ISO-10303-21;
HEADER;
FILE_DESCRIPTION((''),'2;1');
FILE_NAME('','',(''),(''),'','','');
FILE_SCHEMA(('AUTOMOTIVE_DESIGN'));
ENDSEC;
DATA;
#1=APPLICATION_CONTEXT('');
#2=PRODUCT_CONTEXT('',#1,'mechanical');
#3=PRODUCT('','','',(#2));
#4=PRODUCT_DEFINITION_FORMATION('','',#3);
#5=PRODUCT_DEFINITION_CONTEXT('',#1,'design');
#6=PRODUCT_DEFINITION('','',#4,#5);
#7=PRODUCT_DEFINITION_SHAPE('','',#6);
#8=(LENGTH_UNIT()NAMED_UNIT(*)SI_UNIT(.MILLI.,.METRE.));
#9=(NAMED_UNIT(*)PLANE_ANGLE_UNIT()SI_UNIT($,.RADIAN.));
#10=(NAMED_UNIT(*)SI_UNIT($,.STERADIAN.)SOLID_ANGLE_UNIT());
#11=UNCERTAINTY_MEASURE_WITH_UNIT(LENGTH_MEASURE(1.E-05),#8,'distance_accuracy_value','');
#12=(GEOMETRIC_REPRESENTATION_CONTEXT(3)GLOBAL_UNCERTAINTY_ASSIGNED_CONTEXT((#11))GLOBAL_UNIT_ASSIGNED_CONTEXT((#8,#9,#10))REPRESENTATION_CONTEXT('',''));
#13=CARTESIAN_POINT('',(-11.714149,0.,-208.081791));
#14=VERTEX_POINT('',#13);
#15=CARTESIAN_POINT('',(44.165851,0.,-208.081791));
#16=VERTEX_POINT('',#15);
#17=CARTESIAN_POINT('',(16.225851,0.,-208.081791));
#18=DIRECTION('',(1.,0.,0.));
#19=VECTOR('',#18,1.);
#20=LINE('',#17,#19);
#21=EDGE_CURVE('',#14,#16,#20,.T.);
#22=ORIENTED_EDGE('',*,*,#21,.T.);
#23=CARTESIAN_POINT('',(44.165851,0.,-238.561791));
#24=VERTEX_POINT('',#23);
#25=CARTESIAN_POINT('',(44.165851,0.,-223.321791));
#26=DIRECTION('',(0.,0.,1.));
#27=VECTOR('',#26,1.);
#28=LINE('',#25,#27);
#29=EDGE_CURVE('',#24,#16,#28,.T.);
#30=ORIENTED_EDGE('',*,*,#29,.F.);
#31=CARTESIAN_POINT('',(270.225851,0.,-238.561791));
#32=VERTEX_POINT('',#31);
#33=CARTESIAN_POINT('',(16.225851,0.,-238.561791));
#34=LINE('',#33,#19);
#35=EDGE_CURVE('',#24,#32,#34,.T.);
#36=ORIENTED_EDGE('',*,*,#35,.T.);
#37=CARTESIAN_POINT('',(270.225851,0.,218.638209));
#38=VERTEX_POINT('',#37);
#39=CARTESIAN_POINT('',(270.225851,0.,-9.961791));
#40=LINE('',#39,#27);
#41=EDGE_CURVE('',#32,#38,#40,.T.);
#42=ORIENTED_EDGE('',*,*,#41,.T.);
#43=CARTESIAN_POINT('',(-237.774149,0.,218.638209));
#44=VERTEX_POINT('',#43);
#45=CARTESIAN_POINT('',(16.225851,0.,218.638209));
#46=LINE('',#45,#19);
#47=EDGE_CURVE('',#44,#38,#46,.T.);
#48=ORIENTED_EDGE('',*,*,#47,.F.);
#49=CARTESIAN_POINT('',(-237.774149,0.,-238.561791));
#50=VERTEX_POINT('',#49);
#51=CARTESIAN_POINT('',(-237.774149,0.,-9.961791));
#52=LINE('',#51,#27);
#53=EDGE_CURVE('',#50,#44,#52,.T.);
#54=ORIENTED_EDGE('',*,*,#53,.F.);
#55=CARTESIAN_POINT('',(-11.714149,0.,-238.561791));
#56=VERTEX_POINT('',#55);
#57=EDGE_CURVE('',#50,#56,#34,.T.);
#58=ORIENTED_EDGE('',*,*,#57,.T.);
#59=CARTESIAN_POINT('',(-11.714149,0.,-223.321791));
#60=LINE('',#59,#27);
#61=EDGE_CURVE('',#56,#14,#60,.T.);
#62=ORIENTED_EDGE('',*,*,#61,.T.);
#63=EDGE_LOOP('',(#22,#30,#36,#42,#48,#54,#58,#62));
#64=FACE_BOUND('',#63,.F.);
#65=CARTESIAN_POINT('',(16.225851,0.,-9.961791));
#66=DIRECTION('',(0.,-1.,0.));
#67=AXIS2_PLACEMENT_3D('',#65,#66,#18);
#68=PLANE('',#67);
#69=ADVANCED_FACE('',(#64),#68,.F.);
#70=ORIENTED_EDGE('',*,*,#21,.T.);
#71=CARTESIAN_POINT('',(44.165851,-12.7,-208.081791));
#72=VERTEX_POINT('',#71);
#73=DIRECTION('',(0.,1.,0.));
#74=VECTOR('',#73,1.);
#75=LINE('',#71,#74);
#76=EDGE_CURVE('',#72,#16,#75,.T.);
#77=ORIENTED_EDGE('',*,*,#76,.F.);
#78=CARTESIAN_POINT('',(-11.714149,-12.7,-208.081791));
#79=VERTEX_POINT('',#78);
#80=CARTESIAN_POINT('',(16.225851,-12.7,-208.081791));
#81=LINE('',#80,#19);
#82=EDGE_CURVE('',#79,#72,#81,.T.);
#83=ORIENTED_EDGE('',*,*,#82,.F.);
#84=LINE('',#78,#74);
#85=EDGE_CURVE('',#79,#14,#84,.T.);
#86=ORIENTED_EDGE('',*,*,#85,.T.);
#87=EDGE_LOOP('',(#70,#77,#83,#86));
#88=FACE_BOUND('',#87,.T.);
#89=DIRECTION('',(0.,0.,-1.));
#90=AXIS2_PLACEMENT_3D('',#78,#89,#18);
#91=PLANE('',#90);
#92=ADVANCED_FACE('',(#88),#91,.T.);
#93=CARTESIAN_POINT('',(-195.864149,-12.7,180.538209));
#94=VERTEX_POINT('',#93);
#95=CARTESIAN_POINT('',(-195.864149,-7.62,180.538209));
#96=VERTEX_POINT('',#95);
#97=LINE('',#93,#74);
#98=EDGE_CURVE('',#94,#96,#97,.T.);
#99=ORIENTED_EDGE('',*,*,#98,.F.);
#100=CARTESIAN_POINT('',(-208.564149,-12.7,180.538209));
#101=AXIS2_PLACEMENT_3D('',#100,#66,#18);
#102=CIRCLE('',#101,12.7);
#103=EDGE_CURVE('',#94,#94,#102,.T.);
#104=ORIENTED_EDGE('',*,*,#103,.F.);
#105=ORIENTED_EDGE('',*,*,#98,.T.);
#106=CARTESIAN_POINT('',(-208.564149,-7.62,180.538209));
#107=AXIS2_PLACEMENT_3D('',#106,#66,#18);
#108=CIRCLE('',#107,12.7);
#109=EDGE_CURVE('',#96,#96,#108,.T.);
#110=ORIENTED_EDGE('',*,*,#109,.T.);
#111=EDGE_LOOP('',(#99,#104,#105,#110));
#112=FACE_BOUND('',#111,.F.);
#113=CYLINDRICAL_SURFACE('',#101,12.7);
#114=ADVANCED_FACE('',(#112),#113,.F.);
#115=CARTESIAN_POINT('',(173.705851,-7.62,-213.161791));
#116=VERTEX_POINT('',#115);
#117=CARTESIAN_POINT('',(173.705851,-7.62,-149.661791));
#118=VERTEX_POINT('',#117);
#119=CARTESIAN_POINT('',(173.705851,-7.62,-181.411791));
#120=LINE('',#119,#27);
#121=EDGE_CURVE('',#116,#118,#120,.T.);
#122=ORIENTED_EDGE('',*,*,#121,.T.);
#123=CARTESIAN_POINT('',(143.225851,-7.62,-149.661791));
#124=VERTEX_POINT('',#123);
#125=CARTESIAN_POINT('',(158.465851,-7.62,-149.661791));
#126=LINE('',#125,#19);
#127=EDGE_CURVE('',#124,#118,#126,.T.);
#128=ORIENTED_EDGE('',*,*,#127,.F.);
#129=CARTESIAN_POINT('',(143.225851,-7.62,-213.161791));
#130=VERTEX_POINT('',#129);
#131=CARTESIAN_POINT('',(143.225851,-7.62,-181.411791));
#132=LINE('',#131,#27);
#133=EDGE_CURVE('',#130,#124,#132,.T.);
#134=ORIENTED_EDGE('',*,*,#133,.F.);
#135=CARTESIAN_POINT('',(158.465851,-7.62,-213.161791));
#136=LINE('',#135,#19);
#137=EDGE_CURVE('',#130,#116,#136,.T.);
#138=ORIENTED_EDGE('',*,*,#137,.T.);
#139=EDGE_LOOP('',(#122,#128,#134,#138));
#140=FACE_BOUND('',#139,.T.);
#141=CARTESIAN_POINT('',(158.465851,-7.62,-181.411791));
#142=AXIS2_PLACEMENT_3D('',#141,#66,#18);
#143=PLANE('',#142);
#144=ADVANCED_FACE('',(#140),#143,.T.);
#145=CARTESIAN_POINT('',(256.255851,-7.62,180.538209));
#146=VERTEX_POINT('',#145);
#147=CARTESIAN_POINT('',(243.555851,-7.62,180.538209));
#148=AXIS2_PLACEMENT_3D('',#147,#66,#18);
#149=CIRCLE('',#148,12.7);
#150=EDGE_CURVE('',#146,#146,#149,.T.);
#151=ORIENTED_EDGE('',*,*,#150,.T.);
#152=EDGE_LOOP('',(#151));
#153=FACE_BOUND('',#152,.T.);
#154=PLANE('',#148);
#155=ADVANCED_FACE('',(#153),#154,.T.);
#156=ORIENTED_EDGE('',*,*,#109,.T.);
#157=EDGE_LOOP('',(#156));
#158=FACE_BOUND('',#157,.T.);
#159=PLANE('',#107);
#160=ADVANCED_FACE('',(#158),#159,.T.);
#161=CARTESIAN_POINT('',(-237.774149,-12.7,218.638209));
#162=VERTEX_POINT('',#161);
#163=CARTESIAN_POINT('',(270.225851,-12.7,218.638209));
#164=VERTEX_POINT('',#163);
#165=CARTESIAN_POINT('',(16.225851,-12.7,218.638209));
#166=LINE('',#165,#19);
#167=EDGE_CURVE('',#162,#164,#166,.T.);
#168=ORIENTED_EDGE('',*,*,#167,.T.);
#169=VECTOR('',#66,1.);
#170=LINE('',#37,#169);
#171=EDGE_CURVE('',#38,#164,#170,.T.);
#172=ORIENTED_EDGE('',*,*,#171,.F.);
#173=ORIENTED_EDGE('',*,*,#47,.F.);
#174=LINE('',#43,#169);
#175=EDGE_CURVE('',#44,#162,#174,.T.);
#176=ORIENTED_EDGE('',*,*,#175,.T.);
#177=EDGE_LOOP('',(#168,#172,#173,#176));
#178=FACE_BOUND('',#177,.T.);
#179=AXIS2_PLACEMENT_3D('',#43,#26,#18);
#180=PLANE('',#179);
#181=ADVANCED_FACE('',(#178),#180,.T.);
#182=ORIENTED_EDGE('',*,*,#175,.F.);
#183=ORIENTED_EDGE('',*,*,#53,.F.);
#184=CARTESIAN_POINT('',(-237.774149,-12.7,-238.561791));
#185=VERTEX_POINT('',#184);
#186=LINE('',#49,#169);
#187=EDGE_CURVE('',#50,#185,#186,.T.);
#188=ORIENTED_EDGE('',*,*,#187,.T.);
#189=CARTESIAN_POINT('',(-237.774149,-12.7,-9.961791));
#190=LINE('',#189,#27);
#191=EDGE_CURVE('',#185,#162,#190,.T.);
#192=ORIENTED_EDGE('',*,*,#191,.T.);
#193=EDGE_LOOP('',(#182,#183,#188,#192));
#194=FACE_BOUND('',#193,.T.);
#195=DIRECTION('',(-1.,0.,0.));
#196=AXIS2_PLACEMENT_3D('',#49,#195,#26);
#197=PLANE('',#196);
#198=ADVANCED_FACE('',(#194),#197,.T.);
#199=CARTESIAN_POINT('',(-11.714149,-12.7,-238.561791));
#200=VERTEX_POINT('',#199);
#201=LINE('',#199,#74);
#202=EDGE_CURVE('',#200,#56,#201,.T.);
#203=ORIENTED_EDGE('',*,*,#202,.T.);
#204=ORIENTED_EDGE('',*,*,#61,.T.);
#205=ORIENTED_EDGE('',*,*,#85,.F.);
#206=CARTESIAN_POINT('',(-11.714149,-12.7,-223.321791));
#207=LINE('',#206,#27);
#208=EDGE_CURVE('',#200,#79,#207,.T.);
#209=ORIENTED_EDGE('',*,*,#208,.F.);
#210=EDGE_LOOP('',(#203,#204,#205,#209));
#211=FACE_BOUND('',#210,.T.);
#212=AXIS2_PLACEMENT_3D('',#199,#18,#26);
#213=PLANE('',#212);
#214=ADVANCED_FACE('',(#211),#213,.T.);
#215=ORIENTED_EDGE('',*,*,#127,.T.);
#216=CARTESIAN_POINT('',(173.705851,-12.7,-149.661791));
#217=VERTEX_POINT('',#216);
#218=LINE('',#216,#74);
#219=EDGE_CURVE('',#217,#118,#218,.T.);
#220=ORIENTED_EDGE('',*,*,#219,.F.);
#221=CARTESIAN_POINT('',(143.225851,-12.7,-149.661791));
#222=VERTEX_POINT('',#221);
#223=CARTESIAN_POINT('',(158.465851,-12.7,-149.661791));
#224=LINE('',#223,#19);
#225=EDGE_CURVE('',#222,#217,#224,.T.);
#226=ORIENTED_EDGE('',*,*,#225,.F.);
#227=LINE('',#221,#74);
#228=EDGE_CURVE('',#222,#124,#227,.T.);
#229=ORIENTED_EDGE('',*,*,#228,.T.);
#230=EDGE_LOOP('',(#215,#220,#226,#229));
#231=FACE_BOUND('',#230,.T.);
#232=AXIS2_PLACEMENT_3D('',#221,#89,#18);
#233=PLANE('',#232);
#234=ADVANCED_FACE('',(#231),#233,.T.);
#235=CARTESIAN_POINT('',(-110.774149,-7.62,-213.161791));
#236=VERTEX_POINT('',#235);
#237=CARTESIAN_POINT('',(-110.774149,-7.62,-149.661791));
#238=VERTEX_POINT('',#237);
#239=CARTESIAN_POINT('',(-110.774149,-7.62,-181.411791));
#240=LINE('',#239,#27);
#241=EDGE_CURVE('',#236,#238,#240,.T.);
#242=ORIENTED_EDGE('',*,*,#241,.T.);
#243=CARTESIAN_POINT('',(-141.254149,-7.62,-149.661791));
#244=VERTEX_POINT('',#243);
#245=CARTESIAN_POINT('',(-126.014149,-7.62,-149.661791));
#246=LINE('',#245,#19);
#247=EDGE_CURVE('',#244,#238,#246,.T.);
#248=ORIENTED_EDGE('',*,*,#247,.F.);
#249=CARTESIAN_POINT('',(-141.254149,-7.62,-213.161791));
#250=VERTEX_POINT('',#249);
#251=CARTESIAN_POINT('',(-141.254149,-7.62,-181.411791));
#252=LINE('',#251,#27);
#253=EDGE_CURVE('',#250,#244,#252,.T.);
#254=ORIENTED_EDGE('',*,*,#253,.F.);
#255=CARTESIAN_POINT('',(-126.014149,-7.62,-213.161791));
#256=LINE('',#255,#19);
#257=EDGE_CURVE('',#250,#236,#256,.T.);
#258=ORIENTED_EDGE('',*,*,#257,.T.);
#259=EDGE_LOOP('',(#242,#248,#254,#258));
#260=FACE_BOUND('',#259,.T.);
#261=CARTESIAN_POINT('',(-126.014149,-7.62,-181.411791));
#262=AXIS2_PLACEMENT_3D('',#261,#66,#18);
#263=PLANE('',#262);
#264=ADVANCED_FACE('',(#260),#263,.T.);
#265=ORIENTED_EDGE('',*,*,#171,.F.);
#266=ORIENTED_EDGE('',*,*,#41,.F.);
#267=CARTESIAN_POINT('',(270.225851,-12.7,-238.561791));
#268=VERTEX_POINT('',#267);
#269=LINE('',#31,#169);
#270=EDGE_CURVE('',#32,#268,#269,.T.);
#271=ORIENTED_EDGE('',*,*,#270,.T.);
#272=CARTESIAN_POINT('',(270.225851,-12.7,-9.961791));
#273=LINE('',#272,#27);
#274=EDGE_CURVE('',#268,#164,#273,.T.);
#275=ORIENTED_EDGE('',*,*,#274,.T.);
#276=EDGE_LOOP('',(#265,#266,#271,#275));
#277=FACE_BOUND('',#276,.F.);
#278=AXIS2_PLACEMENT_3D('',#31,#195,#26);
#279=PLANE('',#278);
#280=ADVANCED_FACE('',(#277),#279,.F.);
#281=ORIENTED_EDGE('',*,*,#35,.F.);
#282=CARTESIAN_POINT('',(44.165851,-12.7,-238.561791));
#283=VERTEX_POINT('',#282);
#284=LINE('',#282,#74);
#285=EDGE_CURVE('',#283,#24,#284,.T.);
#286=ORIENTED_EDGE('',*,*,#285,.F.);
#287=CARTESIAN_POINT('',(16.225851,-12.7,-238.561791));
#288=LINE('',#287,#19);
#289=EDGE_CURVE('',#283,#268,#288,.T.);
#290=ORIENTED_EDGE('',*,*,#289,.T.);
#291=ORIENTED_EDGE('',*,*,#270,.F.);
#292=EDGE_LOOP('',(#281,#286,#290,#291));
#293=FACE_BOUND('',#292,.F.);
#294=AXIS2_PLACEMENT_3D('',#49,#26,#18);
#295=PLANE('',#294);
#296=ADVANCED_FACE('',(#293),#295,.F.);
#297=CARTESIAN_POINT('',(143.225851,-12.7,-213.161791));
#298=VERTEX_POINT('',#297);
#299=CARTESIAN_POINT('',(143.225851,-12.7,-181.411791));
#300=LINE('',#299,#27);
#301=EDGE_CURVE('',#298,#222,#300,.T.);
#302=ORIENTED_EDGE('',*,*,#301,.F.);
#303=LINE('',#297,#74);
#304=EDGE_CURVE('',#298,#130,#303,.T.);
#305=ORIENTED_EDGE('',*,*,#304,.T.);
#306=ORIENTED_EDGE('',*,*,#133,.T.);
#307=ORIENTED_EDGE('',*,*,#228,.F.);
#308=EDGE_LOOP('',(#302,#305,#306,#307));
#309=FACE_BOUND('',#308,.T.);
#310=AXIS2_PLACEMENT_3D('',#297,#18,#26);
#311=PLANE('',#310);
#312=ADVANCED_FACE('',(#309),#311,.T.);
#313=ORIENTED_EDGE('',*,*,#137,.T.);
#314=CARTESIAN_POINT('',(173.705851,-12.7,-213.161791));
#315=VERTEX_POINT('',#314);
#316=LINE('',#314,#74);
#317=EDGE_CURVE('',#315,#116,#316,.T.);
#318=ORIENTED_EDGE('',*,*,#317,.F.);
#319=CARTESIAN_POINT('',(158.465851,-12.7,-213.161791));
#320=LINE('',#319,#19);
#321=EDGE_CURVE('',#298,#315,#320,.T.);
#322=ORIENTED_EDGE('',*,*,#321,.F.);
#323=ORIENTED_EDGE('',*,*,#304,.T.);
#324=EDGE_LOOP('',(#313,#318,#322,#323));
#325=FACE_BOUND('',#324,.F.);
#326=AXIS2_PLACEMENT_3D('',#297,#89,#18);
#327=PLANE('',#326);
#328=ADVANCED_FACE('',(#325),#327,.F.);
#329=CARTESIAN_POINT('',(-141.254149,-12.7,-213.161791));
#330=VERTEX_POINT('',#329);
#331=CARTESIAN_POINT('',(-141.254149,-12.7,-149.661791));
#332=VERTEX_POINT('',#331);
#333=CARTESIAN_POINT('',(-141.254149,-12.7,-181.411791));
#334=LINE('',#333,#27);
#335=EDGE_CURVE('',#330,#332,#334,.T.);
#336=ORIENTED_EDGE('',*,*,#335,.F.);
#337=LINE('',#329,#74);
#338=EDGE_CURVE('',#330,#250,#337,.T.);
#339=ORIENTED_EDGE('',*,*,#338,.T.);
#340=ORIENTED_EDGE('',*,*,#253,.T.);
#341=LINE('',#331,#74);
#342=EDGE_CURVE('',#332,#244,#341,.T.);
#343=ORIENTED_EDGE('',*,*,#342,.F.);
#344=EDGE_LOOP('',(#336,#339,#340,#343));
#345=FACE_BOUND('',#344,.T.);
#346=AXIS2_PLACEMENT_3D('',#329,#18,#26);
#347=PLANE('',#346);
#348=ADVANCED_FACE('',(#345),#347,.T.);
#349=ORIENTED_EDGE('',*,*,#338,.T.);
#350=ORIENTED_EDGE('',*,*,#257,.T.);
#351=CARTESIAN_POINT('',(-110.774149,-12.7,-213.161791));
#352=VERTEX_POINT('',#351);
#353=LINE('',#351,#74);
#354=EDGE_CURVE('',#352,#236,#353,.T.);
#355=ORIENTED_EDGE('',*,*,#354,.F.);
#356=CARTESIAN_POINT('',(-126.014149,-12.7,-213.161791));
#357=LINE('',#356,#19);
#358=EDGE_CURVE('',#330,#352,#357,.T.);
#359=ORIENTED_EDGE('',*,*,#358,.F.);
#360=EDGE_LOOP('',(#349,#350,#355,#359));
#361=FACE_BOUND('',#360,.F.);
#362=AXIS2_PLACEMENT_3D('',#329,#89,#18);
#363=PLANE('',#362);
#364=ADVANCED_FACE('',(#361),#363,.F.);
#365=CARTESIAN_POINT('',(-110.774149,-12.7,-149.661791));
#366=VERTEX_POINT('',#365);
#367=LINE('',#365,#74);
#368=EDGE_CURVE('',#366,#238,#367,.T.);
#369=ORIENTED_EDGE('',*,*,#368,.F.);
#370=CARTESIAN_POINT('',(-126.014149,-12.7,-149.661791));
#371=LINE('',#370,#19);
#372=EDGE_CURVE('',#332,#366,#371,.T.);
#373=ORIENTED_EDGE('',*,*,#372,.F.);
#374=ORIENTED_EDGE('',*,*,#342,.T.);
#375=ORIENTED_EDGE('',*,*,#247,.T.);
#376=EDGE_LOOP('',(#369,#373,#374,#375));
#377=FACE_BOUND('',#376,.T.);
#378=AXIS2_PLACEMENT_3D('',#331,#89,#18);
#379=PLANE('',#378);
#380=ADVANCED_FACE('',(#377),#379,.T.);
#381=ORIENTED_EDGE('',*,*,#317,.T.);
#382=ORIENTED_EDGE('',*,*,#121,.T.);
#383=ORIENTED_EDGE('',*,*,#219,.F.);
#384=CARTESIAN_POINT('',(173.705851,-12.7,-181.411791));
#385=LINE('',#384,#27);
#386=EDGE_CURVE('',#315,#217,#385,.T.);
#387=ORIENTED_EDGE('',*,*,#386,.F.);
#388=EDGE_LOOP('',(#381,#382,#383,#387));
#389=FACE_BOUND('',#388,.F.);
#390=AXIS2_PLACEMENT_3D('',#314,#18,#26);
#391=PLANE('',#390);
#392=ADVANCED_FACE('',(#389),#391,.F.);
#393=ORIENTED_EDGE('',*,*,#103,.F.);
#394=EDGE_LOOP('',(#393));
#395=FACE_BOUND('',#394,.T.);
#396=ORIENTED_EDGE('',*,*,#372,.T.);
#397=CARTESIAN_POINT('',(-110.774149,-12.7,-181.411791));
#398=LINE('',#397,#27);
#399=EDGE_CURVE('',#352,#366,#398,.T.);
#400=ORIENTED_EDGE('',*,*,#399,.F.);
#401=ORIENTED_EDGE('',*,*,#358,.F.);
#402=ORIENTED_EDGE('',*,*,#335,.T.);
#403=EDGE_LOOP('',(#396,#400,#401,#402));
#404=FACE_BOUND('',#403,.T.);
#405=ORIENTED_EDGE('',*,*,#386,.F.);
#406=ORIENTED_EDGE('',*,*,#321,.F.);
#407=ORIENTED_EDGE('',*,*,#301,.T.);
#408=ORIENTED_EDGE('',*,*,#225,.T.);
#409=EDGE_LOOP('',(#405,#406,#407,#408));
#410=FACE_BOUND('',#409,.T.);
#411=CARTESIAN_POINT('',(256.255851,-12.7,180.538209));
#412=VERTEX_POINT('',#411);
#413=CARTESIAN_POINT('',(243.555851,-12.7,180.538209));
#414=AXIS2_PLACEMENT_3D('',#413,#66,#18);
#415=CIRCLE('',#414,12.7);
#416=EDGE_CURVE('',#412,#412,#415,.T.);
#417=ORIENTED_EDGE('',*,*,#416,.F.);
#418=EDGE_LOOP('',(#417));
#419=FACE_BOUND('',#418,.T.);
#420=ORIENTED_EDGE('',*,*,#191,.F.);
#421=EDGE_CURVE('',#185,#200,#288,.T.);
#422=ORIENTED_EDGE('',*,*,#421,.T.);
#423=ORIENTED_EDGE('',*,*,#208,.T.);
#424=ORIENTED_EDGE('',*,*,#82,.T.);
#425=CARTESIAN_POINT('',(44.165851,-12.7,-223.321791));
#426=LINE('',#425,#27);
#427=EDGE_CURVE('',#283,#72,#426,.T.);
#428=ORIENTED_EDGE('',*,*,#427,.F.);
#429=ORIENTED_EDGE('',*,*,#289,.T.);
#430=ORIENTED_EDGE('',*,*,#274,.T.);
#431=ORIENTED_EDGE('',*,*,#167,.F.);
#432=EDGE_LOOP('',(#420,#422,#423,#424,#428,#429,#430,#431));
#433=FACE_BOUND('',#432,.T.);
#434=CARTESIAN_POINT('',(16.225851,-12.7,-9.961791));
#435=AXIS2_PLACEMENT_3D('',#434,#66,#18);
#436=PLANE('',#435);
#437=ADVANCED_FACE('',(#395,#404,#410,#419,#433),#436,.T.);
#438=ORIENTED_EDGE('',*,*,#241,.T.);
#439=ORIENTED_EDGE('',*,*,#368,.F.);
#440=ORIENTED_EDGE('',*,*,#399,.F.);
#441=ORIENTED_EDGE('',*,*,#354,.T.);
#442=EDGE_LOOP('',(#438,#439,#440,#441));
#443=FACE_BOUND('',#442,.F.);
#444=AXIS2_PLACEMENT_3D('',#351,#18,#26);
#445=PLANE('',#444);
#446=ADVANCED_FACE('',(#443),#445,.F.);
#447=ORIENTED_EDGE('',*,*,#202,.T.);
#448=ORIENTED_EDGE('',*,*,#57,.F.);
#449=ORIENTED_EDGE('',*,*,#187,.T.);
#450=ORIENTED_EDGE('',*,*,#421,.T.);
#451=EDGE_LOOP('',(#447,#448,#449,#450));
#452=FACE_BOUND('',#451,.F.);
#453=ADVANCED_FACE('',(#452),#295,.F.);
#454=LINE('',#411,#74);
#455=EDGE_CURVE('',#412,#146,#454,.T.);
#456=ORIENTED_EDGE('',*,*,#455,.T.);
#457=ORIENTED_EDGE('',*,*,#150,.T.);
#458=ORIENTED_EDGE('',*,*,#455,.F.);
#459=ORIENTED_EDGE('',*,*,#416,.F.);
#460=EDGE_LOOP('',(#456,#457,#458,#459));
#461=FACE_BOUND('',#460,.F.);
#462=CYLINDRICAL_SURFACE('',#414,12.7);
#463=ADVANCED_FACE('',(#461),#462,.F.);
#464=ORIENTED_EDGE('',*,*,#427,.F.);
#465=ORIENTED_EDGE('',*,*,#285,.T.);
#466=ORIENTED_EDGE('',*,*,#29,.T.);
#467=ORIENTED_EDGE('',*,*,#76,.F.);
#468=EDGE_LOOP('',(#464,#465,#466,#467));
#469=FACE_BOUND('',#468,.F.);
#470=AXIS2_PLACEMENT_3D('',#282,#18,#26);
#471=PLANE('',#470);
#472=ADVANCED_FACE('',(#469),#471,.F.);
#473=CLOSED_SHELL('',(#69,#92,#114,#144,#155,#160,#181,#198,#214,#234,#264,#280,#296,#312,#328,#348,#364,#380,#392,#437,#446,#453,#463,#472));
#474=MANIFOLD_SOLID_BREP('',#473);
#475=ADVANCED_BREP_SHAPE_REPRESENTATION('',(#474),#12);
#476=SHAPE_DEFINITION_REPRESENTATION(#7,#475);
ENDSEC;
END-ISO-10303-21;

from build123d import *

# Parameters (mm, degrees)
F0_W     = 508
F0_H     = 457.2
F1_DEPTH = 12.7
F2_W     = 30.48
F2_H     = 63.5
F3_DEPTH = 5.08
F2_R     = 12.7
F4_DEPTH = 5.08
F2_W_2   = 55.88
F2_H_2   = 30.48
F5_DEPTH = 12.7


with BuildPart() as f1:
    # F0 (on Front) → F1 (new body)
    with BuildSketch(Plane.XZ):
        with Locations((16.225851, -9.961791)):
            Rectangle(F0_W, F0_H)
    extrude(amount=F1_DEPTH)

    # F2 (on face) → F3 (cut)
    with BuildSketch(Plane.XZ.offset(12.7)):
        with Locations((158.465851, -181.411791)):
            Rectangle(F2_W, F2_H)
        with Locations((-126.014149, -181.411791)):
            Rectangle(F2_W, F2_H)
    extrude(amount=-F3_DEPTH, mode=Mode.SUBTRACT)

    # F2 (on face) → F4 (cut)
    with BuildSketch(Plane.XZ.offset(12.7)):
        with Locations((-208.564149, 180.538209)):
            Circle(F2_R)
        with Locations((243.555851, 180.538209)):
            Circle(F2_R)
    extrude(amount=-F4_DEPTH, mode=Mode.SUBTRACT)

    # F2 (on face) → F5 (cut)
    with BuildSketch(Plane.XZ.offset(12.7)):
        with Locations((16.225851, -223.321791)):
            Rectangle(F2_W_2, F2_H_2)
    extrude(amount=-F5_DEPTH, mode=Mode.SUBTRACT)


solid = f1.part
